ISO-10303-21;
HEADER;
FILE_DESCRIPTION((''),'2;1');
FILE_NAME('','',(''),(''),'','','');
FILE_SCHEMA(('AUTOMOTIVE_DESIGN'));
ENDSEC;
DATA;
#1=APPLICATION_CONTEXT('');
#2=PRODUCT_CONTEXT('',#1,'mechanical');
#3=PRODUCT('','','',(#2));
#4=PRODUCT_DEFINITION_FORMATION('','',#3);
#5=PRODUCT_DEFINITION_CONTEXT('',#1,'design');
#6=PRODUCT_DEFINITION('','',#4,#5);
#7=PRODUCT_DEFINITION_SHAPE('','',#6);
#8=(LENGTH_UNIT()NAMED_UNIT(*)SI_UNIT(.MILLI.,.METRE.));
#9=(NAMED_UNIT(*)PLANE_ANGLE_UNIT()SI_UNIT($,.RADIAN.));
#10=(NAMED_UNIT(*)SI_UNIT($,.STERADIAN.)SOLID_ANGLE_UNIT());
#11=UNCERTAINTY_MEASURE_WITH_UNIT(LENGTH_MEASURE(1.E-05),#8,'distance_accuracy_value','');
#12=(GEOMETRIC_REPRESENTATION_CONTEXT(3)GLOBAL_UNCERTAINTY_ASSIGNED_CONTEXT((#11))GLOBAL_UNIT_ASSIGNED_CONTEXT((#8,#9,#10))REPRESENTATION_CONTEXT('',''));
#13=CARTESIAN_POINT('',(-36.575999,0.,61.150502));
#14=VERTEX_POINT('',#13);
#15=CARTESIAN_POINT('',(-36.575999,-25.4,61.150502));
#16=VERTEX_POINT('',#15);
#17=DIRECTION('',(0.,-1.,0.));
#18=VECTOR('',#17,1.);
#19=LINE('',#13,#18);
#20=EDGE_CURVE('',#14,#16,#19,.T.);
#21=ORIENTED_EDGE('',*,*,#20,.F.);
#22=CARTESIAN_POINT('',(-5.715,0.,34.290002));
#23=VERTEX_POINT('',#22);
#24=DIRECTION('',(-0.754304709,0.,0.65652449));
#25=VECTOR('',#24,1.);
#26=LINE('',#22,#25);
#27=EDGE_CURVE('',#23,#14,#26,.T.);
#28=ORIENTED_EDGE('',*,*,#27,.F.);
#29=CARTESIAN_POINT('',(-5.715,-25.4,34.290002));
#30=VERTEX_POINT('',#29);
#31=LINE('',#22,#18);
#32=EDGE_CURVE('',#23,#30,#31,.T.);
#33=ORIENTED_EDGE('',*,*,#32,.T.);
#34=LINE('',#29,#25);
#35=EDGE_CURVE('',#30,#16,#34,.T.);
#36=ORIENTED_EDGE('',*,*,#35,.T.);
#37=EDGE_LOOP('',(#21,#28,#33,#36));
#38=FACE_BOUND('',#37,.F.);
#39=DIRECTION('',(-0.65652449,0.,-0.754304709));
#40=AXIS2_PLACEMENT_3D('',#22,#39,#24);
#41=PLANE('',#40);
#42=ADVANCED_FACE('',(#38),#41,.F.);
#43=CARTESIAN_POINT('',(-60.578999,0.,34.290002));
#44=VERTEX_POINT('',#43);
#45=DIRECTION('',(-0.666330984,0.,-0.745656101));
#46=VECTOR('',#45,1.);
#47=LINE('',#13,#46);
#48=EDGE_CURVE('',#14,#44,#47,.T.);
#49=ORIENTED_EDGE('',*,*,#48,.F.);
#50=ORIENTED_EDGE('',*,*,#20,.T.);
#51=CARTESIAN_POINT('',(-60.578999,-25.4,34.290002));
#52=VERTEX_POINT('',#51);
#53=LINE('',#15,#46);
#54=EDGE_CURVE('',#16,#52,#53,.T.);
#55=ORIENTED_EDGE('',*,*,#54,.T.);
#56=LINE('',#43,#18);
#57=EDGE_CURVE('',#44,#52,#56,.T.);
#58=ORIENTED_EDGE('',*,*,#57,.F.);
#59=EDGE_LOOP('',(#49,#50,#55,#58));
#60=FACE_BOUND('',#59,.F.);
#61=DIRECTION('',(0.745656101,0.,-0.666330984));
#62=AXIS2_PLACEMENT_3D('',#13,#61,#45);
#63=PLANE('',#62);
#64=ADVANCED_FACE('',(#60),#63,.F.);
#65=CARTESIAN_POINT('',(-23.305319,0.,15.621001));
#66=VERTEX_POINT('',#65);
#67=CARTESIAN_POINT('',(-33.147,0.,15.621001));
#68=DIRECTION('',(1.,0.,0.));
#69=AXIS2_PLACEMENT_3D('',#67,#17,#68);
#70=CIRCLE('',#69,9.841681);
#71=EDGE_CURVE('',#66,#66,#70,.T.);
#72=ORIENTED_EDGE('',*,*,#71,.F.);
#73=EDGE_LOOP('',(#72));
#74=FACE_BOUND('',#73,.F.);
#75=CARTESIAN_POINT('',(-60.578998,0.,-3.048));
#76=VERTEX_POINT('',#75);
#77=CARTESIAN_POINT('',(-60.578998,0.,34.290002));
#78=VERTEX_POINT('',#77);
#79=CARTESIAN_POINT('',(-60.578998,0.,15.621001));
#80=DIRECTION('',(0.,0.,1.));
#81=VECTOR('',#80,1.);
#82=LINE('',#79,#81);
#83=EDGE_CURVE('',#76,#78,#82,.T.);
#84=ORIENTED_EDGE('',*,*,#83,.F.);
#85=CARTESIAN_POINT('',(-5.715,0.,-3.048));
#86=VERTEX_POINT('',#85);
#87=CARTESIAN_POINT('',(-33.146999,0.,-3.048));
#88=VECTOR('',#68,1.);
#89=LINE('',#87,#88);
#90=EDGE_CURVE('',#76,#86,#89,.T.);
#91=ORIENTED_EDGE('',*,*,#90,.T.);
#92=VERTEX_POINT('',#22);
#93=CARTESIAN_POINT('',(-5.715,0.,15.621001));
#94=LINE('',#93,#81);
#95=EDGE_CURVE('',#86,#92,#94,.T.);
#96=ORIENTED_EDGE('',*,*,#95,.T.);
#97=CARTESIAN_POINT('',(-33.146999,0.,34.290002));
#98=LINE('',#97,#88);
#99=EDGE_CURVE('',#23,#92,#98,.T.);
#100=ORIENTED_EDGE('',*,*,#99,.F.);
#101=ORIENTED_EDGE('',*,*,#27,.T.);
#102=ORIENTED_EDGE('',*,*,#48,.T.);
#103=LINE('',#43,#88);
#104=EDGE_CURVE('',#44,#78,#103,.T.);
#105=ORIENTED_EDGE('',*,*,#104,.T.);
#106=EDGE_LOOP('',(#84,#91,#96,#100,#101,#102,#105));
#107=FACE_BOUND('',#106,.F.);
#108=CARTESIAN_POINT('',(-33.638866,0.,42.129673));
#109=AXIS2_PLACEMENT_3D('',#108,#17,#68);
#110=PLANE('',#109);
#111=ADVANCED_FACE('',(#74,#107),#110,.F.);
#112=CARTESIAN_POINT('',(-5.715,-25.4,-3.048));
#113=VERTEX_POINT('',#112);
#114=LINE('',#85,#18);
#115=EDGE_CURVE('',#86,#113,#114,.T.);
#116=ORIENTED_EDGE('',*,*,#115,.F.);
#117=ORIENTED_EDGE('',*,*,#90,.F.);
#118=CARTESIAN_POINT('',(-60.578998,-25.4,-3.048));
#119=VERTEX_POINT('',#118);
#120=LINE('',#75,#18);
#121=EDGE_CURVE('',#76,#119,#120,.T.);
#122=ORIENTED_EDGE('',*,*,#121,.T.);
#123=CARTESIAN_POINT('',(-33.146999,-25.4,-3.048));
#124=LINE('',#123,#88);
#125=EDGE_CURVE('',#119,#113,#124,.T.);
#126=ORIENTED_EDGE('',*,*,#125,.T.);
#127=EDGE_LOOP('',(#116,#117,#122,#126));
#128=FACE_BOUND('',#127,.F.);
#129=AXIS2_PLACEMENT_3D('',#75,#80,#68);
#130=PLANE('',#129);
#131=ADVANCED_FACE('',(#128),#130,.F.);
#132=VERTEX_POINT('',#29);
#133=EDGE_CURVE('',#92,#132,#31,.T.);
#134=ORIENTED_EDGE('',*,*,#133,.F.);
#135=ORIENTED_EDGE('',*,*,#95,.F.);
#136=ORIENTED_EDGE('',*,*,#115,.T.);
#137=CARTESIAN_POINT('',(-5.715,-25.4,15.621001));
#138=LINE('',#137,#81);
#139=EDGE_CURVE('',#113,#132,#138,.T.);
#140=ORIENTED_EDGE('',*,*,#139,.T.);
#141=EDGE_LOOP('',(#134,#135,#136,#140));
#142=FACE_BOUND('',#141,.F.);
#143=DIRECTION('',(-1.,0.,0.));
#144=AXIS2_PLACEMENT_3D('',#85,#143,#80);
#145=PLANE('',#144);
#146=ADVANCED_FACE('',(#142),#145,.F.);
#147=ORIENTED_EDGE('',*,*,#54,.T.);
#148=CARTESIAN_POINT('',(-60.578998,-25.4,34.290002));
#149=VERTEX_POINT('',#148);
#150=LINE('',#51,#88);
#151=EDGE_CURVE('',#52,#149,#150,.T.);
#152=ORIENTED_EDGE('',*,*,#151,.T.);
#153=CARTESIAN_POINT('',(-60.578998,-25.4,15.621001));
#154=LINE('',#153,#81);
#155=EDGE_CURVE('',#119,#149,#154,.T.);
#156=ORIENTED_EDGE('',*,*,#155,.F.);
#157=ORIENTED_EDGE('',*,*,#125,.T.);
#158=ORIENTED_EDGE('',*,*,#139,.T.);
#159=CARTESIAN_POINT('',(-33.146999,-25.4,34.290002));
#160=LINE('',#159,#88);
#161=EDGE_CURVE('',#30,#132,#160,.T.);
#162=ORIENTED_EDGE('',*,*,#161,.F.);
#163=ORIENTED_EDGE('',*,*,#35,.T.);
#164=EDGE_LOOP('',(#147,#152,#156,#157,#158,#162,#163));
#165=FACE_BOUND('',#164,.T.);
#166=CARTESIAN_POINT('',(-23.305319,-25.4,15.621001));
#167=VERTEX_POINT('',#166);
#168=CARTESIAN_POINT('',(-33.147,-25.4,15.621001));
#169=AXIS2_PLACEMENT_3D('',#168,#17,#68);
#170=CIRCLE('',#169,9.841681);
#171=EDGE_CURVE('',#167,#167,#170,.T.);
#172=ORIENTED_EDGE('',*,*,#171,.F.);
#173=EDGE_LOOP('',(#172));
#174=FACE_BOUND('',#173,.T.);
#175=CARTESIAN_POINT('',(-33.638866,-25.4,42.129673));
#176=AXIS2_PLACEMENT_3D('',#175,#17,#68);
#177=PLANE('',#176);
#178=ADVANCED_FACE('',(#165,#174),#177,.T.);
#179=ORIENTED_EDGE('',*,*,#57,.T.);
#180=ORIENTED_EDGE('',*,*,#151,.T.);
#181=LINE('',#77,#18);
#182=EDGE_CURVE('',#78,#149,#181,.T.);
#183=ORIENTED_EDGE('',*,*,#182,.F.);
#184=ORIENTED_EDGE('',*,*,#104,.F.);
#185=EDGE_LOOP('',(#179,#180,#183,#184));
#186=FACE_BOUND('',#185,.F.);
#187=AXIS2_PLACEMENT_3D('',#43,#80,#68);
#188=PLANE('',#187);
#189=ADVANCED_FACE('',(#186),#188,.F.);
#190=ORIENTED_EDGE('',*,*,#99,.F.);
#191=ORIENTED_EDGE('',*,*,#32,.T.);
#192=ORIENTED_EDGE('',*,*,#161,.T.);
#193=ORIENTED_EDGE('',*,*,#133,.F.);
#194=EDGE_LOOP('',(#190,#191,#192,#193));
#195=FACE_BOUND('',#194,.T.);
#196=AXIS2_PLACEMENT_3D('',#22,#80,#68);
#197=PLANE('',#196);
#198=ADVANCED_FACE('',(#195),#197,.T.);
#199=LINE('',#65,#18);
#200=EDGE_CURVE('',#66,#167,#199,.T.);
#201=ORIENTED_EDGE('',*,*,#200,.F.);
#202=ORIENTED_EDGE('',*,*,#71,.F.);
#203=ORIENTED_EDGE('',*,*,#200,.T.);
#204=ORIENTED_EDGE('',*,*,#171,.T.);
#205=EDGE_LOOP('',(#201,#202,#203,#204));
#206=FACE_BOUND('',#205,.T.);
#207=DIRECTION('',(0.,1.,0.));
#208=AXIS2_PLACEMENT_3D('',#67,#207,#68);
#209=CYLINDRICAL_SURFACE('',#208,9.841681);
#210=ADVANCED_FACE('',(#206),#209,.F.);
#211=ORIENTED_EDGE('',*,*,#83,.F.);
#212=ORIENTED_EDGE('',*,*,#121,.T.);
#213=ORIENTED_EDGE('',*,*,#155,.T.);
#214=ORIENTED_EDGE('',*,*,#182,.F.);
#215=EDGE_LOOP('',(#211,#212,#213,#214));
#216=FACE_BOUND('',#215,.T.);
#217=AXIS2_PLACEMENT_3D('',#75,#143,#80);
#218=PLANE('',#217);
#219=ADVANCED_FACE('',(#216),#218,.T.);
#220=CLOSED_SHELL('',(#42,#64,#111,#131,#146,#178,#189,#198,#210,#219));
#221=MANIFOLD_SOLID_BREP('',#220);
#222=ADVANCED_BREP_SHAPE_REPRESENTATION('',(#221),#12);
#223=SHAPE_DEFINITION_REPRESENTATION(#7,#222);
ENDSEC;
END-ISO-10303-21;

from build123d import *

# Parameters (mm, degrees)
F0_W     = 54.863999
F0_H     = 37.338002
F0_R     = 9.841681
F1_DEPTH = 25.4


with BuildPart() as f1:
    # F0 (on Front) → F1 (new body)
    with BuildSketch(Plane.XZ):
        Polygon((-60.578999, 34.290002), (-5.715, 34.290002), (-36.575999, 61.150502), align=None)
        with Locations((-33.146999, 15.621001)):
            Rectangle(F0_W, F0_H)
        with Locations((-33.147, 15.621001)):
            Circle(F0_R, mode=Mode.SUBTRACT)
    extrude(amount=F1_DEPTH)


solid = f1.part
